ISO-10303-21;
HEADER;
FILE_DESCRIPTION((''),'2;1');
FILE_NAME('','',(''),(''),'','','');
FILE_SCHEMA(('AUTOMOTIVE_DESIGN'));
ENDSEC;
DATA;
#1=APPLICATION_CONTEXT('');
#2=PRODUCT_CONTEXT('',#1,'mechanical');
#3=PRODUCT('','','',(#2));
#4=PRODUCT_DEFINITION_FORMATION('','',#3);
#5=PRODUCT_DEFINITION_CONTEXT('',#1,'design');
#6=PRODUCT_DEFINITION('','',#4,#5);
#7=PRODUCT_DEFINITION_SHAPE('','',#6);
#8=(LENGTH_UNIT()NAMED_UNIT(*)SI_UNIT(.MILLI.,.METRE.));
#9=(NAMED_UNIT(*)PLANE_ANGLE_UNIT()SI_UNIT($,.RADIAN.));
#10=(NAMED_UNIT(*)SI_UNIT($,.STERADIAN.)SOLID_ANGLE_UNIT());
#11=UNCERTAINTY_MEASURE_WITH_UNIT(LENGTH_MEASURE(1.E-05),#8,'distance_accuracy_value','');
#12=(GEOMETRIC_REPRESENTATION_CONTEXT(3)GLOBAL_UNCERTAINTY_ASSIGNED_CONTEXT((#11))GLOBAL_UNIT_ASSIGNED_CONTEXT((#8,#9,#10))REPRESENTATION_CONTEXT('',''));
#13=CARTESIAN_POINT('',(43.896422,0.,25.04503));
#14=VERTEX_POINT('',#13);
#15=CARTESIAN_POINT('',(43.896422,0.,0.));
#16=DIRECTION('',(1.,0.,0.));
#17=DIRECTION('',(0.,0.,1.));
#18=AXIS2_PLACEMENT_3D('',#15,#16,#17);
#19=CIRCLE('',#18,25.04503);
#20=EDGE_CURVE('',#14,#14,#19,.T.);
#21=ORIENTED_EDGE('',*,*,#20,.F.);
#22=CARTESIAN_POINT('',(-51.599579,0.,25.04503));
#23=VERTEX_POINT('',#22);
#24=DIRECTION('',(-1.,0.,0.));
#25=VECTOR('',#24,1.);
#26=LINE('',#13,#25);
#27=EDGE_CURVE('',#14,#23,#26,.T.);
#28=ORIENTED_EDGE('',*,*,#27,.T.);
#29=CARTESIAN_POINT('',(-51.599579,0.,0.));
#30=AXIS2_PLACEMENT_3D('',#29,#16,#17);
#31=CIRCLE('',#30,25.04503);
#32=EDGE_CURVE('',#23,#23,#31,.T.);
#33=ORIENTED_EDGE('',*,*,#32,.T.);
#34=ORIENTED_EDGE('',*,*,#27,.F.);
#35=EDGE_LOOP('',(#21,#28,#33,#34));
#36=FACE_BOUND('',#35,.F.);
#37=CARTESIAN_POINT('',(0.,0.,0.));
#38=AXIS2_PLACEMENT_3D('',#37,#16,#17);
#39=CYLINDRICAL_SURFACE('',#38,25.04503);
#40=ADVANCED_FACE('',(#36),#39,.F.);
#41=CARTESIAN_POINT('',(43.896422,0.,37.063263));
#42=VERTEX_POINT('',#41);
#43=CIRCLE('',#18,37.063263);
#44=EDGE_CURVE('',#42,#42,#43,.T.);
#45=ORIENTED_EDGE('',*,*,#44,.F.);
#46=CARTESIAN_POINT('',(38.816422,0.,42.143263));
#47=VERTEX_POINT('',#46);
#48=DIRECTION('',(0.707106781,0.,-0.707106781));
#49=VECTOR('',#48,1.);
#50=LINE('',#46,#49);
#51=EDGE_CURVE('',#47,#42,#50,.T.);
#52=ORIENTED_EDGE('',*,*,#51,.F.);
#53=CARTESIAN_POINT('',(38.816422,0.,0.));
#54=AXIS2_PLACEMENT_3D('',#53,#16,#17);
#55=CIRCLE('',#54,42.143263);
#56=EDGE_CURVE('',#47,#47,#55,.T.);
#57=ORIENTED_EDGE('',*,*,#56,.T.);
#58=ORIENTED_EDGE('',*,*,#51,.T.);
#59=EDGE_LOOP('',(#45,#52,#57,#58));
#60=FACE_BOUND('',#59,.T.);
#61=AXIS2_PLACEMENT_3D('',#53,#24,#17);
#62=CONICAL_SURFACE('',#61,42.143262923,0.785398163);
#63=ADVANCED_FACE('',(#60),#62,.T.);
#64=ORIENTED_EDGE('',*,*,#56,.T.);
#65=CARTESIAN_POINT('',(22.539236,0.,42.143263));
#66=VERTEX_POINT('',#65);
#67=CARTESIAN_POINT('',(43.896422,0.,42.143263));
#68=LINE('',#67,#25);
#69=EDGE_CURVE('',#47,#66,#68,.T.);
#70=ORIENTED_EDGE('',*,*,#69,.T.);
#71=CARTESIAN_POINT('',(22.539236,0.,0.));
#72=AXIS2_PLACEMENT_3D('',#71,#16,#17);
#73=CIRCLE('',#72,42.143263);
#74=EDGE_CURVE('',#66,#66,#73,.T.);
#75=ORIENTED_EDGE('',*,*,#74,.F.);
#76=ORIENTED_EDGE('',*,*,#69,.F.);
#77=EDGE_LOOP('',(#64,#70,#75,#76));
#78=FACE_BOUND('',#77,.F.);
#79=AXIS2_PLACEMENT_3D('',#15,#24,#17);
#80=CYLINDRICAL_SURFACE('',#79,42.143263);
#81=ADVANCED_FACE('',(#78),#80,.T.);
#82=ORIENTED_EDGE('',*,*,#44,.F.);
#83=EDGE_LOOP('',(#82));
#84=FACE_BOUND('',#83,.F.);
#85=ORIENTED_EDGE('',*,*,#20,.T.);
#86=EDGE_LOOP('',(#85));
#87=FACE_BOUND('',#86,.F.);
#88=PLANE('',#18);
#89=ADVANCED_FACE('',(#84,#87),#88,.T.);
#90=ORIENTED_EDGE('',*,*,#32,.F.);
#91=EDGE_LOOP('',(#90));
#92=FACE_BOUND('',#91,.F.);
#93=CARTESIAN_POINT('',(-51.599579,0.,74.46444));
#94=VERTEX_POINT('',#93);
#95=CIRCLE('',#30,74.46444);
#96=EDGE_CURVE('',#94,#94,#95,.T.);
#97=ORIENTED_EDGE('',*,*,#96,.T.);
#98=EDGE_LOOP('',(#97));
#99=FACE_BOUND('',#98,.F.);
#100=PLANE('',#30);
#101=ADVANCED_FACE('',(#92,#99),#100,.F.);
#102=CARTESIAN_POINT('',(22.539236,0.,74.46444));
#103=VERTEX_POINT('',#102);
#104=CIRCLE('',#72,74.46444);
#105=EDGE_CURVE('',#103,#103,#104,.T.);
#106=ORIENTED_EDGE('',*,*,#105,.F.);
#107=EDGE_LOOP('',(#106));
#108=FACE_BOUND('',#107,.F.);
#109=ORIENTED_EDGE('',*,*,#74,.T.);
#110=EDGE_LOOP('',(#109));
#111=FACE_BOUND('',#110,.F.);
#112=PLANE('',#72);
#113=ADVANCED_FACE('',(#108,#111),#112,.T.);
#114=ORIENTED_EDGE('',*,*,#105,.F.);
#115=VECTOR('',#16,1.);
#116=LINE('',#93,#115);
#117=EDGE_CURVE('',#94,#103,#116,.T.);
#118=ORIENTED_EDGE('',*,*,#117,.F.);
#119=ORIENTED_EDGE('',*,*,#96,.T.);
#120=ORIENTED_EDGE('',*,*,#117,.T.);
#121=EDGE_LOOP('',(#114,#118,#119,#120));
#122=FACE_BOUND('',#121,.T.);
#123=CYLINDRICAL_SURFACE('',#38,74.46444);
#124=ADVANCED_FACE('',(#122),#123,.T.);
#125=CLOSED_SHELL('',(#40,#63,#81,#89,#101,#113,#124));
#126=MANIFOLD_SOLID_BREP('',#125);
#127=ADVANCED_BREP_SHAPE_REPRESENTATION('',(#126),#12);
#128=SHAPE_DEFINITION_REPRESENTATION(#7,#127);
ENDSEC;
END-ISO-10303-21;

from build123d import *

# Parameters (mm, degrees)
F0_W     = 22.5392356515
F0_H     = 17.0982331038
F0_W_2   = 21.3571861386
F0_H_2   = 32.321177423
F2_DEPTH = 51.5995789319
F4_SIZE  = 5.08


with BuildPart() as f1:
    # F0 (on Front) → F1 (revolve)
    with BuildSketch(Plane.XZ):
        with Locations((11.2696178257, 33.5941463709)):
            Rectangle(F0_W, F0_H)
        with Locations((33.2178287208, 33.5941463709)):
            Rectangle(F0_W_2, F0_H)
        with Locations((11.2696178257, 58.3038516343)):
            Rectangle(F0_W, F0_H_2)
    revolve(axis=Axis((22.569514811, 0, 0), (1, 0, 0)))

    # F2 (add): a face of the model
    f2_faces = [f1.faces().sort_by_distance(p)[0] for p in [
        (0, 0, -72.3582679167),
    ]]
    extrude(f2_faces, amount=F2_DEPTH)

    # F4
    f4_edges = [f1.edges().sort_by_distance(p)[0] for p in [
        (43.896422, 0, -42.143263),
    ]]
    chamfer(f4_edges, length=F4_SIZE)


solid = f1.part
